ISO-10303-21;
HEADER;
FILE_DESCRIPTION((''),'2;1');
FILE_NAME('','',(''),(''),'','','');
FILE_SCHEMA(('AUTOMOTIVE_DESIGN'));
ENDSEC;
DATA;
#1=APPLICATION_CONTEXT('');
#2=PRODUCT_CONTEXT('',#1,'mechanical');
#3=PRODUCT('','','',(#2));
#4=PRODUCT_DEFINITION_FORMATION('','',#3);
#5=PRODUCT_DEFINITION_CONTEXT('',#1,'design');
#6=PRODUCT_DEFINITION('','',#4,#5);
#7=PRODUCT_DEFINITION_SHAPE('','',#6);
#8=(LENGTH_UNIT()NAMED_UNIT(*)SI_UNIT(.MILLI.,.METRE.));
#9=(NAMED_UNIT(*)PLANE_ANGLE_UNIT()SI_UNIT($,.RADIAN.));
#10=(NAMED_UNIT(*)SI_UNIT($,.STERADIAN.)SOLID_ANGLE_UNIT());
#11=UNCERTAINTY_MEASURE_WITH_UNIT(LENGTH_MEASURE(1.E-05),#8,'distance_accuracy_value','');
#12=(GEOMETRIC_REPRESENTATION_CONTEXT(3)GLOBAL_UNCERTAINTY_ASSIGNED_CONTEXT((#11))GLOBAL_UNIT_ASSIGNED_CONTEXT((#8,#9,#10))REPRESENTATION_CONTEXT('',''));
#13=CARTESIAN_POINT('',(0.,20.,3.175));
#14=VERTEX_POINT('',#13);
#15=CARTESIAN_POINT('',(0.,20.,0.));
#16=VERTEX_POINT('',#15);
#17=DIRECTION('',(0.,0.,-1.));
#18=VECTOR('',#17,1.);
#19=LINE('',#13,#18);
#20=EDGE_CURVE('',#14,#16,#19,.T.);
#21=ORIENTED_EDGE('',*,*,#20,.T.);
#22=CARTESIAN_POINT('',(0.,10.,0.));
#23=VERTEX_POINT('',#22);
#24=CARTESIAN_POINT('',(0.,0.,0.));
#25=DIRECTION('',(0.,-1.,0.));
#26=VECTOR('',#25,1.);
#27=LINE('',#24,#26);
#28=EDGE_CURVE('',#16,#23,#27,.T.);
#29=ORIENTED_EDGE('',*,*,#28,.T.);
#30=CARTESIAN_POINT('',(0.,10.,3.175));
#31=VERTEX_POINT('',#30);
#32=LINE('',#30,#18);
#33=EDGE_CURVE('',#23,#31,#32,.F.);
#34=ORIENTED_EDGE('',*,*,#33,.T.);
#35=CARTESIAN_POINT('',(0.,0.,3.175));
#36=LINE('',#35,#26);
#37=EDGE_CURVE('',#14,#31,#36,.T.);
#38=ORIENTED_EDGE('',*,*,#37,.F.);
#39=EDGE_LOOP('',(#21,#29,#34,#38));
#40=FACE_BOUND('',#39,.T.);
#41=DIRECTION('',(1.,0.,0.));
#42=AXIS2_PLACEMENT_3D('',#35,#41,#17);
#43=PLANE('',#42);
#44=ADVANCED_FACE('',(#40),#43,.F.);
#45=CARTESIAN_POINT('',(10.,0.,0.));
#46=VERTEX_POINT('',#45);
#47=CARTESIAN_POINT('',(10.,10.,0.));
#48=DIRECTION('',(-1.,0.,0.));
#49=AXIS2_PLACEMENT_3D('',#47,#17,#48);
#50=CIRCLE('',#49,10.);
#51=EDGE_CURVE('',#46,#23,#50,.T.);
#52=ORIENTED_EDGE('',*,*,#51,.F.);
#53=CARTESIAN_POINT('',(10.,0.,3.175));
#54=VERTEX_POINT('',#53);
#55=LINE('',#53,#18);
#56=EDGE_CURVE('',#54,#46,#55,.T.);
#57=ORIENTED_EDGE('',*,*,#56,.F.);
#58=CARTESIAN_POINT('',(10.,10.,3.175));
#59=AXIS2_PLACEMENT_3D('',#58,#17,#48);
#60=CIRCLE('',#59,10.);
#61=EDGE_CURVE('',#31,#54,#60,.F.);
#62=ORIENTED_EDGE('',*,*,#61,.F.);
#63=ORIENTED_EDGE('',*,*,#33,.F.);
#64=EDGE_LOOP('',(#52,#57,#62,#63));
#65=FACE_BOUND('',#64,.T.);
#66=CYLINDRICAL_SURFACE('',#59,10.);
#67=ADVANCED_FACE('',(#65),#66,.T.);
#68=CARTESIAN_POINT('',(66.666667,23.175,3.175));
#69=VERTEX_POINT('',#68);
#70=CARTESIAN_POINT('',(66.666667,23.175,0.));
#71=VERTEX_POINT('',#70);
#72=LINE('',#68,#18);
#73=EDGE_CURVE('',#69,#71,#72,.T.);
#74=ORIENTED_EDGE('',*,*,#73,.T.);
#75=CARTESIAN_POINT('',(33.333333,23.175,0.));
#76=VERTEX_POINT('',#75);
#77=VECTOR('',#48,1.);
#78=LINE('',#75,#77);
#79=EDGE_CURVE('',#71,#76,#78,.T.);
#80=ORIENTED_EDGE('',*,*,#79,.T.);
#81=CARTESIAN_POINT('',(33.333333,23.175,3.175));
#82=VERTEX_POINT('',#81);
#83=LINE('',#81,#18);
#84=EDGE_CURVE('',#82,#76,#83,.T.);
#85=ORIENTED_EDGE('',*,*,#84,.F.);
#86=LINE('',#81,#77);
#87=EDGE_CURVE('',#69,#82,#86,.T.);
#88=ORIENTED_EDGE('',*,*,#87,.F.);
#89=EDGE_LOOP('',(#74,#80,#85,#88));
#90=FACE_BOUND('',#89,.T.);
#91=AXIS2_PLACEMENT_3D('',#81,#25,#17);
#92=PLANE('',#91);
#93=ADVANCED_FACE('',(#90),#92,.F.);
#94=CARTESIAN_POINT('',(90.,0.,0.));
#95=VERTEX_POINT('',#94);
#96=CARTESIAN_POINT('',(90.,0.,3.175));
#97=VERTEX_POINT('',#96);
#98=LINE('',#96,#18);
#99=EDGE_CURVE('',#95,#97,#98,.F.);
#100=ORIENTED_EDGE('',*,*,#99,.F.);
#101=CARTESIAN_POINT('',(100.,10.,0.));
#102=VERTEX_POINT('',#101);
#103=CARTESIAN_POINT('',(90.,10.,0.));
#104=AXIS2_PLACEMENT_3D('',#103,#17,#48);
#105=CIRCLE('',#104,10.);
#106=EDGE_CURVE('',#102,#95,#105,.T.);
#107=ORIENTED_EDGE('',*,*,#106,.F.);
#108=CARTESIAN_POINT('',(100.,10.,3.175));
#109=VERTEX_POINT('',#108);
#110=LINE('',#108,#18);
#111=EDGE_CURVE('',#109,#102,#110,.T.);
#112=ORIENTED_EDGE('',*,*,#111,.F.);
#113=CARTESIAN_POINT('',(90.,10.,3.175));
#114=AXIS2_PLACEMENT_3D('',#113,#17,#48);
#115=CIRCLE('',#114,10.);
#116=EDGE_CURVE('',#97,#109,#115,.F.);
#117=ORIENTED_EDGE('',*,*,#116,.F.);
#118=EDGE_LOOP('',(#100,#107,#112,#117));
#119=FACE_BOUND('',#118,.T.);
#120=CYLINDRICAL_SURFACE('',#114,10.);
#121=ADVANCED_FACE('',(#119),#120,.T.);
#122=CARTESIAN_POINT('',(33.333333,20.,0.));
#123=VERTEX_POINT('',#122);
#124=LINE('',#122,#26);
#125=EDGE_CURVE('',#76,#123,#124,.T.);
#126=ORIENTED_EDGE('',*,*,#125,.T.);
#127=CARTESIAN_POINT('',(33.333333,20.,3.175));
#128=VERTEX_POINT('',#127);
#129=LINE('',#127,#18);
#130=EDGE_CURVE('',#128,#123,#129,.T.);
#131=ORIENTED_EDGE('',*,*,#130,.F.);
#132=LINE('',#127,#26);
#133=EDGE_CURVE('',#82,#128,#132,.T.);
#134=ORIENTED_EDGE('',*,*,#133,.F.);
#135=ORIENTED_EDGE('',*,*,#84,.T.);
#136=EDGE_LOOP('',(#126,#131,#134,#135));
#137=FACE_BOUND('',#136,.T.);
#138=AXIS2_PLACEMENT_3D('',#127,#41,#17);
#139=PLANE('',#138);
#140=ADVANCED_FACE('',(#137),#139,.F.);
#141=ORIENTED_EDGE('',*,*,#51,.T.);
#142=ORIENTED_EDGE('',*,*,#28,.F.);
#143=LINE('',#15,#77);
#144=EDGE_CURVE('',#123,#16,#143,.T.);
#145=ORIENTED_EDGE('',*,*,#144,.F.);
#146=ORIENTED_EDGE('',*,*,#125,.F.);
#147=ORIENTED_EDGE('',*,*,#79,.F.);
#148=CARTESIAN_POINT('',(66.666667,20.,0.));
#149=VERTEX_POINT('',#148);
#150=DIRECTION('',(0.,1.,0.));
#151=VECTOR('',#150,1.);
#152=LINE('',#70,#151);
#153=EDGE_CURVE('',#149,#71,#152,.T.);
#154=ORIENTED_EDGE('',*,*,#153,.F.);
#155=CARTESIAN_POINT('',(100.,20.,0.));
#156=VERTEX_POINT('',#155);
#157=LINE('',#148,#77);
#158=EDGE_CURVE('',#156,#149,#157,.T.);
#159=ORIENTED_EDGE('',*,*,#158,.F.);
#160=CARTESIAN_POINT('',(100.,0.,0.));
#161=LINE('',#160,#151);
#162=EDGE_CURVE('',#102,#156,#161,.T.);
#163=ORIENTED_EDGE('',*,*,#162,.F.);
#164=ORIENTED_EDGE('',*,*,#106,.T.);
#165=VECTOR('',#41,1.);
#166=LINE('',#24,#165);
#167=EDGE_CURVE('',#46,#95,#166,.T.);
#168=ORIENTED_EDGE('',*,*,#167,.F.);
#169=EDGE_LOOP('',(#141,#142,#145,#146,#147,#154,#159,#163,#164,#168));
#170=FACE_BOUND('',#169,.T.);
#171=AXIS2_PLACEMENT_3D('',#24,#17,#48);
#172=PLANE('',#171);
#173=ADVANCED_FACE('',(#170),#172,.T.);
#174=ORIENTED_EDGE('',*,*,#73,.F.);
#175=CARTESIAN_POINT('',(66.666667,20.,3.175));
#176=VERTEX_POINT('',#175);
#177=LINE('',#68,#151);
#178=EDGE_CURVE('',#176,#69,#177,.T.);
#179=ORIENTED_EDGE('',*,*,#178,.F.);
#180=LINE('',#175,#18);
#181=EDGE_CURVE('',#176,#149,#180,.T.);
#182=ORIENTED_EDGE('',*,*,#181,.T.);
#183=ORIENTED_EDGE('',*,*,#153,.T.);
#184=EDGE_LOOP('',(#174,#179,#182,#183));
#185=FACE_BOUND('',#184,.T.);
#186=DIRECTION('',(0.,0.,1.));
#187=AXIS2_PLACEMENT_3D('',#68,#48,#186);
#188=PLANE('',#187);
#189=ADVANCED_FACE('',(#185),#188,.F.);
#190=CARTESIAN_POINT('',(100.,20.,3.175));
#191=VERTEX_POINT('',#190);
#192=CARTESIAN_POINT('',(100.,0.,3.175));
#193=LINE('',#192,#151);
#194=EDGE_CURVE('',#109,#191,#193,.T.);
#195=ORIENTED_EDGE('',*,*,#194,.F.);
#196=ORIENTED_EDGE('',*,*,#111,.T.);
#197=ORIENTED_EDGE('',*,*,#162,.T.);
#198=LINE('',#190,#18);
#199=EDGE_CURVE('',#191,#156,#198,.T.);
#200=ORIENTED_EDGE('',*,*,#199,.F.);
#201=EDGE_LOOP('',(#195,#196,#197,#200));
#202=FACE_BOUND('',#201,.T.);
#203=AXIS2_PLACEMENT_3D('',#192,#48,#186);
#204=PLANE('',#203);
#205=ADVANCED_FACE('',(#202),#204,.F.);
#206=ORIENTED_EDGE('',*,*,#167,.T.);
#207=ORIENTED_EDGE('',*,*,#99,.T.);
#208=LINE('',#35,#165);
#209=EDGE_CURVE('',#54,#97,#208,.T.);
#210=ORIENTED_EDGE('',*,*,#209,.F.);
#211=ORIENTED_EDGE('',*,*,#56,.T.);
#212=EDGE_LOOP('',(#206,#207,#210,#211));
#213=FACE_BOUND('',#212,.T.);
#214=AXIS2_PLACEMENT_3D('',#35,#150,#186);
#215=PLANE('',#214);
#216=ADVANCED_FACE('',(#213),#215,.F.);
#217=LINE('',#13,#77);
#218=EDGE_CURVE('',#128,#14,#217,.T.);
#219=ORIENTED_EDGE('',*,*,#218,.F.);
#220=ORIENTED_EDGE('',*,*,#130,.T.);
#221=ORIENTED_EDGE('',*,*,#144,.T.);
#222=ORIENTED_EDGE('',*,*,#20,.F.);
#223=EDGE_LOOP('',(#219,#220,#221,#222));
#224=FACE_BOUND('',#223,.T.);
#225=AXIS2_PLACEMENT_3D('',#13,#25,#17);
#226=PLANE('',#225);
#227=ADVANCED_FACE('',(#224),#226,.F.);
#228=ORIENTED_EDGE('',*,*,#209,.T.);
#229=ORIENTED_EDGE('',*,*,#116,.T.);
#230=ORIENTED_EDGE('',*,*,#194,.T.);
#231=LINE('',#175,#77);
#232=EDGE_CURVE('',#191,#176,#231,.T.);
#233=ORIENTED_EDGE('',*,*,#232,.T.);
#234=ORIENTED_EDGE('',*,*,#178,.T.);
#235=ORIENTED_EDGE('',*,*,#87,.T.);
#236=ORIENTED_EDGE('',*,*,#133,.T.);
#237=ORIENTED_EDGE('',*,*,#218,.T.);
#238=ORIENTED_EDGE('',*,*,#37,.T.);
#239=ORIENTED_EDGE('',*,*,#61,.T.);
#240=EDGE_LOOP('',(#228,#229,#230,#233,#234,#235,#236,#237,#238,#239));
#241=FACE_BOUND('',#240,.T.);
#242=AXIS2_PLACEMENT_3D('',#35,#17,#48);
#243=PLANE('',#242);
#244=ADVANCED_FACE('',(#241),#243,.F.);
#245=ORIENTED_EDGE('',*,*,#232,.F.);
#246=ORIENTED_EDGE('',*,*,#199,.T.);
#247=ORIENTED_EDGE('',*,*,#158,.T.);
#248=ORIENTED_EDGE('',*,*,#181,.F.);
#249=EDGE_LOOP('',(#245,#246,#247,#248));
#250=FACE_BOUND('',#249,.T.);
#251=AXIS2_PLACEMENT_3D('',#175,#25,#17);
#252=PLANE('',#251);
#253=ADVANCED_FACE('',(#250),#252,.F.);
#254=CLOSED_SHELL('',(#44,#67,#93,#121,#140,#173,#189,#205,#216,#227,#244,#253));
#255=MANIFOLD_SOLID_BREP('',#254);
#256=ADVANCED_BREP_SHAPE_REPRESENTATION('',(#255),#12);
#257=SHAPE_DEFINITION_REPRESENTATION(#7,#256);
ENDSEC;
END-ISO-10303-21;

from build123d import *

# Parameters (mm, degrees)
BOSS_EXTRUDE1_DEPTH = 3.175
FILLET1_R           = 10


with BuildPart() as part:
    # Sketch1 → Boss-Extrude1 (new body)
    with BuildSketch(Plane.XY):
        Polygon((0, 20), (33.333333333, 20), (33.333333333, 23.175), (66.666666667, 23.175), (66.666666667, 20), (100, 20), (100, 0), (0, 0), align=None)
    extrude(amount=BOSS_EXTRUDE1_DEPTH)

    # Fillet1
    fillet1_edges = [part.edges().sort_by_distance(p)[0] for p in [
        (100, 0, 1.5875),
        (0, 0, 1.5875),
    ]]
    fillet(fillet1_edges, radius=FILLET1_R)


solid = part.part
